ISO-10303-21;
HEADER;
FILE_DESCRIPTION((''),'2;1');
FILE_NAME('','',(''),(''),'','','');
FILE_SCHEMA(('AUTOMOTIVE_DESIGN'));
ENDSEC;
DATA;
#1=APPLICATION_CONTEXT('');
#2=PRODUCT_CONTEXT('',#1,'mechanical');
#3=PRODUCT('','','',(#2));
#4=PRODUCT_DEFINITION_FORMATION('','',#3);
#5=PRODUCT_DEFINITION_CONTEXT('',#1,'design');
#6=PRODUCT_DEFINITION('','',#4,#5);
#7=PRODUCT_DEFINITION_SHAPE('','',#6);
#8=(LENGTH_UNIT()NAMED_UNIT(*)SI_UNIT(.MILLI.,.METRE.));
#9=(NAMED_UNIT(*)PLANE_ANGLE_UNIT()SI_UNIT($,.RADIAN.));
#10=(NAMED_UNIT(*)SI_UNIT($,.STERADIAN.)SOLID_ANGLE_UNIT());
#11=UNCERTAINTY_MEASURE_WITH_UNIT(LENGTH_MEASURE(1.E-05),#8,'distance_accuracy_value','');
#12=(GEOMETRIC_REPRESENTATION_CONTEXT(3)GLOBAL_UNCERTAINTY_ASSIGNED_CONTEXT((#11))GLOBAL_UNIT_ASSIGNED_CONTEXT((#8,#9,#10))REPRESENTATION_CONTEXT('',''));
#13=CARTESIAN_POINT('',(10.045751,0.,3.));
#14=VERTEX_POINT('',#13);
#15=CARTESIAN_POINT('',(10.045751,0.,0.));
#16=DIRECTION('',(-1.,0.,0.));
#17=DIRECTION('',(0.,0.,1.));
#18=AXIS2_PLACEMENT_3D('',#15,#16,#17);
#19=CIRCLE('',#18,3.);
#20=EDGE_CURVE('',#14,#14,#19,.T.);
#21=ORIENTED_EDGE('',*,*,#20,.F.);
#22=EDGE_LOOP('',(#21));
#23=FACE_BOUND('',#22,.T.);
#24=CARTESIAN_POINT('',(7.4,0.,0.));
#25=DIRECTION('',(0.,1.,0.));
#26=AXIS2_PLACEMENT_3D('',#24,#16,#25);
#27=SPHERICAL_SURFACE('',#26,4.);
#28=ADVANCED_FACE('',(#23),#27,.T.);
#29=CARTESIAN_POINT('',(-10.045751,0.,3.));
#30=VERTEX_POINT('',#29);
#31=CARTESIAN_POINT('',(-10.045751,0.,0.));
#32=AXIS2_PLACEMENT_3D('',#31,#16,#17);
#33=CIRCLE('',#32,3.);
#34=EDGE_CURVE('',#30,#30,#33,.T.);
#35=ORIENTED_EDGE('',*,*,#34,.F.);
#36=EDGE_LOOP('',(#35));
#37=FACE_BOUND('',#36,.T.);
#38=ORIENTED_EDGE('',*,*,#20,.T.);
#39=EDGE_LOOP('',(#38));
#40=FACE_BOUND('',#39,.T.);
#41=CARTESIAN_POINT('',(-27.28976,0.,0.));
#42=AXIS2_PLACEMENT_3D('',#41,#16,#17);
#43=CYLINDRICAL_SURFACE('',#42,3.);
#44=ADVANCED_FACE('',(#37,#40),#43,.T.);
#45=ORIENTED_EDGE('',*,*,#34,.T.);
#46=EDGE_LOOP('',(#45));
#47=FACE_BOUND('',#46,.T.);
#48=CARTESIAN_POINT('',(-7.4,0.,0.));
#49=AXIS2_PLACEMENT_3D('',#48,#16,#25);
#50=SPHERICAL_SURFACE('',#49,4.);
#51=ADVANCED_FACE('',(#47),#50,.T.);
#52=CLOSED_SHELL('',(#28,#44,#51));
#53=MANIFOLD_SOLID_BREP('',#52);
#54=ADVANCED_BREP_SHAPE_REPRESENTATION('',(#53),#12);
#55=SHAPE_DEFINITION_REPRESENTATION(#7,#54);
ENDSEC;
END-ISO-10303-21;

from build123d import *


with BuildPart() as part:
    # Esquisse2 → Révolution1 (revolve)
    with BuildSketch(Plane.XY):
        with BuildLine():
            Line((-11.4, 0), (11.4, 0))
            ThreePointArc((11.4, 0), (11.045751311, 1.645751311), (10.045751311, 3))
            Line((10.045751311, 3), (-10.045751311, 3))
            ThreePointArc((-10.045751311, 3), (-11.045751311, 1.645751311), (-11.4, 0))
        make_face()
    revolve(axis=Axis((-27.28976, 0, 0), (1, 0, 0)))


solid = part.part
